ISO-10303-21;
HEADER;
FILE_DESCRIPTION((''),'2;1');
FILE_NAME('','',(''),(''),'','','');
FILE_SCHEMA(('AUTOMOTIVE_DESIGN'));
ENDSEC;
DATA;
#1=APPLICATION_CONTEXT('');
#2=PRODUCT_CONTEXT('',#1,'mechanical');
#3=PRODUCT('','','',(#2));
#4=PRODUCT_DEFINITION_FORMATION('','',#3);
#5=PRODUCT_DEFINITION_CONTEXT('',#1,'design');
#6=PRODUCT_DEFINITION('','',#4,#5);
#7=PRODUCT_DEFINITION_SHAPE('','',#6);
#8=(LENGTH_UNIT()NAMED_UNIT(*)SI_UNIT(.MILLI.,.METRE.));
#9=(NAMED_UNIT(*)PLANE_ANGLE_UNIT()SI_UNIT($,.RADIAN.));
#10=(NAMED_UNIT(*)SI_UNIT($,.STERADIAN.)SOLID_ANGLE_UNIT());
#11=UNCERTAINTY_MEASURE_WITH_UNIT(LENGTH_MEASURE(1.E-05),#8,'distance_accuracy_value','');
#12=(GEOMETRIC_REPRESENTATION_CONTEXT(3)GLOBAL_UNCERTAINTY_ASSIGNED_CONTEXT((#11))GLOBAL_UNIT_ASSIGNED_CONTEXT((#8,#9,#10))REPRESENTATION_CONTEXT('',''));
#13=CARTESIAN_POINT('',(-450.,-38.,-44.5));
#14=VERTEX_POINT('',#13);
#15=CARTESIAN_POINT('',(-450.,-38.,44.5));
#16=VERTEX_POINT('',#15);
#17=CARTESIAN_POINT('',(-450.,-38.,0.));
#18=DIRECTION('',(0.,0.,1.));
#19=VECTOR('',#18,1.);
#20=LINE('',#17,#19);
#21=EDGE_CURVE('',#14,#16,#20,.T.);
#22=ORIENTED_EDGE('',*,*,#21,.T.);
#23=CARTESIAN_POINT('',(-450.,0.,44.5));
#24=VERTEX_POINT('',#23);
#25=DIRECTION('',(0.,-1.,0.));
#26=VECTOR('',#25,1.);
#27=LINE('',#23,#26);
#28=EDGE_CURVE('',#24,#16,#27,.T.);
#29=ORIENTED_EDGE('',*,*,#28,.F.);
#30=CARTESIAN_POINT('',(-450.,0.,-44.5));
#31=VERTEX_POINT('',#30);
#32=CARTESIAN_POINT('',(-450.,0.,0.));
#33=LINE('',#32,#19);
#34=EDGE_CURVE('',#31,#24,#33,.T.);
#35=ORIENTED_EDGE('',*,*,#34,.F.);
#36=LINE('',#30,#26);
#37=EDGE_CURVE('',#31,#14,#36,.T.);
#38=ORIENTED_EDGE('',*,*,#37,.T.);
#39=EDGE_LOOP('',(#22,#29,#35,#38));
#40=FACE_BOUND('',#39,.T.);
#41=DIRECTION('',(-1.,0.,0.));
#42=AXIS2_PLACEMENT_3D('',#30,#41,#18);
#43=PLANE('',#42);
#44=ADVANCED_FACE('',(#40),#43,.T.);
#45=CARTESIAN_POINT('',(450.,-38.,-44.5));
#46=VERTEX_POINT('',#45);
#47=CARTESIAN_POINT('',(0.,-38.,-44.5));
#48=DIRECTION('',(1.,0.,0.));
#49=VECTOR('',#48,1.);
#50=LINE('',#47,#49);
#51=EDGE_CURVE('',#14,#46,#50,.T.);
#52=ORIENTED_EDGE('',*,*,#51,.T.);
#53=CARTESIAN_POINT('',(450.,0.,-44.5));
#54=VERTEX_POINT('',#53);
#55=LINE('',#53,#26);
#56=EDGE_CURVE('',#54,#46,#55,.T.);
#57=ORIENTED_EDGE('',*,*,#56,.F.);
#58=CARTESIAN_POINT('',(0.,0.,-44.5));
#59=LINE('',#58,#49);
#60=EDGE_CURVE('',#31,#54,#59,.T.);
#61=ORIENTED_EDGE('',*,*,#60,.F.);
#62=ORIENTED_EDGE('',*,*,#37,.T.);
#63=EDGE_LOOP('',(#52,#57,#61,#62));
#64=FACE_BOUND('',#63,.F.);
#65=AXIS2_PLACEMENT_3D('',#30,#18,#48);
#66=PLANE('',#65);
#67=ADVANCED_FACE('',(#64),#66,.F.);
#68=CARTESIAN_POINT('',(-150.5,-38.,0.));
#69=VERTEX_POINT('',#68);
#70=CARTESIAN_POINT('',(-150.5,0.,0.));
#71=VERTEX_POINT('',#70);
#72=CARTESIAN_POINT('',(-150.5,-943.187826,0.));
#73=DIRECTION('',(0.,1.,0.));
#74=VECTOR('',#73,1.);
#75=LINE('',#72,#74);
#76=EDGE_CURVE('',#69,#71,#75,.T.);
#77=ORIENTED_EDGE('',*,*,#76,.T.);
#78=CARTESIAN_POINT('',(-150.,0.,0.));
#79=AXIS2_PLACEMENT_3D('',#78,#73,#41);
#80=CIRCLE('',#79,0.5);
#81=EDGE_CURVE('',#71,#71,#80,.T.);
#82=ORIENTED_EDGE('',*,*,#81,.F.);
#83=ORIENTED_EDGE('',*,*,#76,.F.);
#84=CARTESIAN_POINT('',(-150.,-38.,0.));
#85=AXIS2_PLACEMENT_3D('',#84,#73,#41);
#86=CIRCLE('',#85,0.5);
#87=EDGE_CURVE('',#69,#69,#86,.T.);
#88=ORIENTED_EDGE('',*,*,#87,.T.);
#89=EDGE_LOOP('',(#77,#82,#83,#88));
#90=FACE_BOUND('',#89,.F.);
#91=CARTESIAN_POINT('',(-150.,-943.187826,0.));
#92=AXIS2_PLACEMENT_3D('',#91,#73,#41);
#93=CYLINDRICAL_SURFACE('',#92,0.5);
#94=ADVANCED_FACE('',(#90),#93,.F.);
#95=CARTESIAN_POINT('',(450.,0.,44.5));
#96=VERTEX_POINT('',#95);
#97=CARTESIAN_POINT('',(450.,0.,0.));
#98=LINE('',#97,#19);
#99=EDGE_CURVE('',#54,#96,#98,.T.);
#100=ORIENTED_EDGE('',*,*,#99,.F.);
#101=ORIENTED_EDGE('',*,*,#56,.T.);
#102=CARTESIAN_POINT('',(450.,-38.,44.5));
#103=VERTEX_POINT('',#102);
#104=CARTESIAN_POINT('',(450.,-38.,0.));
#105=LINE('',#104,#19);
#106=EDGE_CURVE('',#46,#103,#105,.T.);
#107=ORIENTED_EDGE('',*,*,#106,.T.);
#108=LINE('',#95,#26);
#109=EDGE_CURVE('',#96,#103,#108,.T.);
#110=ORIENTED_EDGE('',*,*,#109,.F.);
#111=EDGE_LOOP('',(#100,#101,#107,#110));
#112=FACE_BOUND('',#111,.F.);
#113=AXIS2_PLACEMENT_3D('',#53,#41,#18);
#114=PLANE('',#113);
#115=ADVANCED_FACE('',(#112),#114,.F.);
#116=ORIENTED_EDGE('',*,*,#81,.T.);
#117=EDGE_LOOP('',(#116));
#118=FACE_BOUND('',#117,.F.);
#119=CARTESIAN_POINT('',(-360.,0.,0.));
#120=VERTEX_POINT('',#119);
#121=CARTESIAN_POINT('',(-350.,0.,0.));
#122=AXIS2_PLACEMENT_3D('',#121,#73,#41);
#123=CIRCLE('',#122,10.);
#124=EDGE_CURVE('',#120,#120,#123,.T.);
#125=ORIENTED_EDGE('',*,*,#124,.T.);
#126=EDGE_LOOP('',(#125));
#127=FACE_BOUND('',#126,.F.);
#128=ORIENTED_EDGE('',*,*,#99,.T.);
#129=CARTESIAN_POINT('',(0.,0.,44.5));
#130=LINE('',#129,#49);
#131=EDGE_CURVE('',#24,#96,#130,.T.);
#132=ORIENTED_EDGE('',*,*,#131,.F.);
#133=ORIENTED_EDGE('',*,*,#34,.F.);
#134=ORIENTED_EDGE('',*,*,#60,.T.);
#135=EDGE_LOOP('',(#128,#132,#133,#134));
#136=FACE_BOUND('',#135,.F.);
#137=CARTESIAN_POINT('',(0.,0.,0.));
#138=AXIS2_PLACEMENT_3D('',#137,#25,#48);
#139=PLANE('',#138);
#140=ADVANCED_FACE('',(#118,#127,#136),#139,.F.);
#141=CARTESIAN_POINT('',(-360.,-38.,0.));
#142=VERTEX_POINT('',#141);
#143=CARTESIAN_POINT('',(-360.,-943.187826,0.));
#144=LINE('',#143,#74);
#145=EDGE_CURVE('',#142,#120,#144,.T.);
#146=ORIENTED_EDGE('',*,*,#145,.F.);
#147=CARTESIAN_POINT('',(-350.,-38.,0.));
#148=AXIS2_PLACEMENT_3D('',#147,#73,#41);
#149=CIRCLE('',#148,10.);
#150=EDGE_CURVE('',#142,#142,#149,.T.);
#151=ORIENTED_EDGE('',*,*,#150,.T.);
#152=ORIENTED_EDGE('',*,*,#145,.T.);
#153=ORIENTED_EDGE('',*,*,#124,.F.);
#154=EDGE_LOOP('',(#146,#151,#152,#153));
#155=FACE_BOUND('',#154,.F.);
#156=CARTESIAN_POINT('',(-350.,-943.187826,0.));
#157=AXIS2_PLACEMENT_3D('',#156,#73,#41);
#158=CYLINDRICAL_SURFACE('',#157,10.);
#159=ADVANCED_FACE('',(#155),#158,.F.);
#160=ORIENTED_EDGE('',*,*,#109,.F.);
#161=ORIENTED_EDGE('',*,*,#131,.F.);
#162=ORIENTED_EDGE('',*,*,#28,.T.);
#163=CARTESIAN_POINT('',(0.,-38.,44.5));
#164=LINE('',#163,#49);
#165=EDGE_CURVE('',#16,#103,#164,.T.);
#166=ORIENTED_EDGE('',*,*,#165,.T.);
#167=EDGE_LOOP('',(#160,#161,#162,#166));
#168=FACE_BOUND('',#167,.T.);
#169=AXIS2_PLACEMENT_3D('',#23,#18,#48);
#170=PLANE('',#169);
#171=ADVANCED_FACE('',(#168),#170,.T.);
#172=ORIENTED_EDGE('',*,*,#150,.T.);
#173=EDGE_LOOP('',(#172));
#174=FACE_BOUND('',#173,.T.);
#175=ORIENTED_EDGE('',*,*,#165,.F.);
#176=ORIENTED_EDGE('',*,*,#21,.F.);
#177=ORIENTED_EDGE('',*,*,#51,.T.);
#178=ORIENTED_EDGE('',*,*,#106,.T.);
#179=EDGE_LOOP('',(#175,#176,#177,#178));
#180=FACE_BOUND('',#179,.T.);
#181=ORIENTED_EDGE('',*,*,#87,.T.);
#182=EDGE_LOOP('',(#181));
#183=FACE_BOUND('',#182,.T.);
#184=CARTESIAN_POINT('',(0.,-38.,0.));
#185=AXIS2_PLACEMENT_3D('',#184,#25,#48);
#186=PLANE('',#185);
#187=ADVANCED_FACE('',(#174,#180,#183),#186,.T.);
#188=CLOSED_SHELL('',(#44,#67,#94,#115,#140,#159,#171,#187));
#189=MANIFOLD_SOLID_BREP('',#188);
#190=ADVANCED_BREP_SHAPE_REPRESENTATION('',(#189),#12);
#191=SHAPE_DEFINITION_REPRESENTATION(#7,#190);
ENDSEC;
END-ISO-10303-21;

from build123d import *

# Parameters (mm, degrees)
F0_W     = 900
F0_H     = 89
F1_DEPTH = 38
F3_D     = 20
F5_D     = 1


with BuildPart() as f1:
    # F0 (on Front) → F1 (new body)
    with BuildSketch(Plane.XZ):
        Rectangle(F0_W, F0_H)
    extrude(amount=F1_DEPTH)

    # F3 (through all)
    with Locations(Plane.XZ.offset(38)):
        with Locations((-350, 0)):
            Hole(F3_D / 2)

    # F5 (through all)
    with Locations(Plane.XZ.offset(38)):
        with Locations((-150, 0)):
            Hole(F5_D / 2)


solid = f1.part
